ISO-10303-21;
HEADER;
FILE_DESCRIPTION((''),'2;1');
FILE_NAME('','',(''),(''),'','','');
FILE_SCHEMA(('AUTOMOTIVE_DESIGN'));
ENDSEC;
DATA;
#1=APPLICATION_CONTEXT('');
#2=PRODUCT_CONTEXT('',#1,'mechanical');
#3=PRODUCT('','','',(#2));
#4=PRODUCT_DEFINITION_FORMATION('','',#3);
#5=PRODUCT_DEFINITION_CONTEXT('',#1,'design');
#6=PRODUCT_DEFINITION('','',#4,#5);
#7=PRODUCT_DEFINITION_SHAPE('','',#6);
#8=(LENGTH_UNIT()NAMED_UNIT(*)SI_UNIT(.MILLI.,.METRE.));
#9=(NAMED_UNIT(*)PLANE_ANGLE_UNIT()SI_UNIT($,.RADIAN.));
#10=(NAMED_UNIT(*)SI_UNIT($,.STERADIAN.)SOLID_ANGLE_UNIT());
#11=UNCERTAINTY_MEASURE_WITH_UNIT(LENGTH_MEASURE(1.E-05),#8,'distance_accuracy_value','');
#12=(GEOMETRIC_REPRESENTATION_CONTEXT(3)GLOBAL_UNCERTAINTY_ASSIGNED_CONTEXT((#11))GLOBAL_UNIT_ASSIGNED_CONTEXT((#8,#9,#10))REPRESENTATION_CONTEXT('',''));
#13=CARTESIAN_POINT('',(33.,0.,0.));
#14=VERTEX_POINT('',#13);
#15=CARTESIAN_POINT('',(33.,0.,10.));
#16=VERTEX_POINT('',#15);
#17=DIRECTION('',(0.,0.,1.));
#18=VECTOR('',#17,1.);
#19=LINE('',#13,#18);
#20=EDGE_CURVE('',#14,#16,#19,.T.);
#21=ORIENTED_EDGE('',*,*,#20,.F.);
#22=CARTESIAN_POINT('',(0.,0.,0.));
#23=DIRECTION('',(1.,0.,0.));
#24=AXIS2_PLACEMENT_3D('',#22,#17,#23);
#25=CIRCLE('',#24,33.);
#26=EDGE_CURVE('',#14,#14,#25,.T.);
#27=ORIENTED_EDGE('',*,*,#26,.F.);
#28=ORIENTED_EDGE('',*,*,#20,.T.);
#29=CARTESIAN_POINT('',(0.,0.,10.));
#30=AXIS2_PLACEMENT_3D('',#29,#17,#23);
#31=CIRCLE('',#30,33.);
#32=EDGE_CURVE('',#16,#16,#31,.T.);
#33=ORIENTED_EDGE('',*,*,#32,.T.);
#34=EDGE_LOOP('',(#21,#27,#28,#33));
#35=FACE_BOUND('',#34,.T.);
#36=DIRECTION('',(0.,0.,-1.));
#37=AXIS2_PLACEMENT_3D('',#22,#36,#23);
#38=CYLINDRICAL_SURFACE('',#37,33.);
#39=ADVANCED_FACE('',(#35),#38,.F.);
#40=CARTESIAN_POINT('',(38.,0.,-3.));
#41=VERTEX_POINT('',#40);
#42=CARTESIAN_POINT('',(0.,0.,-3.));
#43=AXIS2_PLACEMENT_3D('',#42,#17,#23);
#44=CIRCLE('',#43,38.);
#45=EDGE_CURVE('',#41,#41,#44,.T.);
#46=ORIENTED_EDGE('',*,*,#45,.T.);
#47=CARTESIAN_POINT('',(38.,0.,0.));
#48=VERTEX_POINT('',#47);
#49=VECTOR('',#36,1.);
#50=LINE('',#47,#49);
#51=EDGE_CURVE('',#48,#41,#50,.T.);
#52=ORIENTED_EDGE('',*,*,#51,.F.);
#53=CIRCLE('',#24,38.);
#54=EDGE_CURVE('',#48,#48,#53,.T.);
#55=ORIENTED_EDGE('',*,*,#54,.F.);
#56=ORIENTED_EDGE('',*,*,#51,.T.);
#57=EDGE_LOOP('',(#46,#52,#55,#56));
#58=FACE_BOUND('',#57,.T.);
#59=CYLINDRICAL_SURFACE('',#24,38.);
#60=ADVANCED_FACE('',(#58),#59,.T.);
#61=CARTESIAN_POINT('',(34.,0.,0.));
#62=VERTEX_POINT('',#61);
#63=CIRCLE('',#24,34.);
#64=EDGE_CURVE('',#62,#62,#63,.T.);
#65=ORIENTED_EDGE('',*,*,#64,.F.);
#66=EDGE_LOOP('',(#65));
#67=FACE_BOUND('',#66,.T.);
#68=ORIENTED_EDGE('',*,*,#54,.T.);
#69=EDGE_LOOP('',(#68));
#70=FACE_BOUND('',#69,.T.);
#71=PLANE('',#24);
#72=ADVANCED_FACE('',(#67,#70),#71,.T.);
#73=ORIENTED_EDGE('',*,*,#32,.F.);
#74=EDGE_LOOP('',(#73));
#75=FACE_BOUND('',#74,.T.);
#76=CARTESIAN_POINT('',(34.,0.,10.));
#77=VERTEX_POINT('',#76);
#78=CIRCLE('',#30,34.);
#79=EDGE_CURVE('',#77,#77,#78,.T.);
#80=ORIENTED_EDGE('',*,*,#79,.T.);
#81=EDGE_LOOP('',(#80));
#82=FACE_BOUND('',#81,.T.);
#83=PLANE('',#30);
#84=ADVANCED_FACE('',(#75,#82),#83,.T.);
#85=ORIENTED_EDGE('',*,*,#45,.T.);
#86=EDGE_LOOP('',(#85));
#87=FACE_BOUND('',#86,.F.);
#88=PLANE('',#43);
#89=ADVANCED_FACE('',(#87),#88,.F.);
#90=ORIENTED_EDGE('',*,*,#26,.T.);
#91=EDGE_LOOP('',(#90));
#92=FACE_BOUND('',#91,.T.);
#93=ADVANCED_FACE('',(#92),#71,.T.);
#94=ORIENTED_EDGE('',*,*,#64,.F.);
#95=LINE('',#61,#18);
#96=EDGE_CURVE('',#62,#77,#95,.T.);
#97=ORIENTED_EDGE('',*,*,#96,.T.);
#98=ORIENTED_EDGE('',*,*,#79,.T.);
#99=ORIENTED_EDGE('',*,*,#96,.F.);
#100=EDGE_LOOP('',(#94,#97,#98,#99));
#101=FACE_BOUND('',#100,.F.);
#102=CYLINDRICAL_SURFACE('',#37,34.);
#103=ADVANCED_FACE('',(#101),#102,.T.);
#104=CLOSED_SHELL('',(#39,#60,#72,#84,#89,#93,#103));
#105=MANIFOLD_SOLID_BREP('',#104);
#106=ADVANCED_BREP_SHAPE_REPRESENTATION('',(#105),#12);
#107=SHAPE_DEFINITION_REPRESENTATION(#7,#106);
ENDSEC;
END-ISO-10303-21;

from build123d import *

# Parameters (mm, degrees)
SKETCH_R     = 34
SKETCH_R_2   = 33
PAD_DEPTH    = 10
SKETCH001_R  = 38
PAD001_DEPTH = 3


with BuildPart() as part:
    # Sketch → Pad (new body)
    with BuildSketch(Plane.XY):
        Circle(SKETCH_R)
        Circle(SKETCH_R_2, mode=Mode.SUBTRACT)
    extrude(amount=PAD_DEPTH)

    # Sketch001 → Pad001 (join)
    with BuildSketch(Plane.XY):
        Circle(SKETCH001_R)
    extrude(amount=-PAD001_DEPTH)


solid = part.part
